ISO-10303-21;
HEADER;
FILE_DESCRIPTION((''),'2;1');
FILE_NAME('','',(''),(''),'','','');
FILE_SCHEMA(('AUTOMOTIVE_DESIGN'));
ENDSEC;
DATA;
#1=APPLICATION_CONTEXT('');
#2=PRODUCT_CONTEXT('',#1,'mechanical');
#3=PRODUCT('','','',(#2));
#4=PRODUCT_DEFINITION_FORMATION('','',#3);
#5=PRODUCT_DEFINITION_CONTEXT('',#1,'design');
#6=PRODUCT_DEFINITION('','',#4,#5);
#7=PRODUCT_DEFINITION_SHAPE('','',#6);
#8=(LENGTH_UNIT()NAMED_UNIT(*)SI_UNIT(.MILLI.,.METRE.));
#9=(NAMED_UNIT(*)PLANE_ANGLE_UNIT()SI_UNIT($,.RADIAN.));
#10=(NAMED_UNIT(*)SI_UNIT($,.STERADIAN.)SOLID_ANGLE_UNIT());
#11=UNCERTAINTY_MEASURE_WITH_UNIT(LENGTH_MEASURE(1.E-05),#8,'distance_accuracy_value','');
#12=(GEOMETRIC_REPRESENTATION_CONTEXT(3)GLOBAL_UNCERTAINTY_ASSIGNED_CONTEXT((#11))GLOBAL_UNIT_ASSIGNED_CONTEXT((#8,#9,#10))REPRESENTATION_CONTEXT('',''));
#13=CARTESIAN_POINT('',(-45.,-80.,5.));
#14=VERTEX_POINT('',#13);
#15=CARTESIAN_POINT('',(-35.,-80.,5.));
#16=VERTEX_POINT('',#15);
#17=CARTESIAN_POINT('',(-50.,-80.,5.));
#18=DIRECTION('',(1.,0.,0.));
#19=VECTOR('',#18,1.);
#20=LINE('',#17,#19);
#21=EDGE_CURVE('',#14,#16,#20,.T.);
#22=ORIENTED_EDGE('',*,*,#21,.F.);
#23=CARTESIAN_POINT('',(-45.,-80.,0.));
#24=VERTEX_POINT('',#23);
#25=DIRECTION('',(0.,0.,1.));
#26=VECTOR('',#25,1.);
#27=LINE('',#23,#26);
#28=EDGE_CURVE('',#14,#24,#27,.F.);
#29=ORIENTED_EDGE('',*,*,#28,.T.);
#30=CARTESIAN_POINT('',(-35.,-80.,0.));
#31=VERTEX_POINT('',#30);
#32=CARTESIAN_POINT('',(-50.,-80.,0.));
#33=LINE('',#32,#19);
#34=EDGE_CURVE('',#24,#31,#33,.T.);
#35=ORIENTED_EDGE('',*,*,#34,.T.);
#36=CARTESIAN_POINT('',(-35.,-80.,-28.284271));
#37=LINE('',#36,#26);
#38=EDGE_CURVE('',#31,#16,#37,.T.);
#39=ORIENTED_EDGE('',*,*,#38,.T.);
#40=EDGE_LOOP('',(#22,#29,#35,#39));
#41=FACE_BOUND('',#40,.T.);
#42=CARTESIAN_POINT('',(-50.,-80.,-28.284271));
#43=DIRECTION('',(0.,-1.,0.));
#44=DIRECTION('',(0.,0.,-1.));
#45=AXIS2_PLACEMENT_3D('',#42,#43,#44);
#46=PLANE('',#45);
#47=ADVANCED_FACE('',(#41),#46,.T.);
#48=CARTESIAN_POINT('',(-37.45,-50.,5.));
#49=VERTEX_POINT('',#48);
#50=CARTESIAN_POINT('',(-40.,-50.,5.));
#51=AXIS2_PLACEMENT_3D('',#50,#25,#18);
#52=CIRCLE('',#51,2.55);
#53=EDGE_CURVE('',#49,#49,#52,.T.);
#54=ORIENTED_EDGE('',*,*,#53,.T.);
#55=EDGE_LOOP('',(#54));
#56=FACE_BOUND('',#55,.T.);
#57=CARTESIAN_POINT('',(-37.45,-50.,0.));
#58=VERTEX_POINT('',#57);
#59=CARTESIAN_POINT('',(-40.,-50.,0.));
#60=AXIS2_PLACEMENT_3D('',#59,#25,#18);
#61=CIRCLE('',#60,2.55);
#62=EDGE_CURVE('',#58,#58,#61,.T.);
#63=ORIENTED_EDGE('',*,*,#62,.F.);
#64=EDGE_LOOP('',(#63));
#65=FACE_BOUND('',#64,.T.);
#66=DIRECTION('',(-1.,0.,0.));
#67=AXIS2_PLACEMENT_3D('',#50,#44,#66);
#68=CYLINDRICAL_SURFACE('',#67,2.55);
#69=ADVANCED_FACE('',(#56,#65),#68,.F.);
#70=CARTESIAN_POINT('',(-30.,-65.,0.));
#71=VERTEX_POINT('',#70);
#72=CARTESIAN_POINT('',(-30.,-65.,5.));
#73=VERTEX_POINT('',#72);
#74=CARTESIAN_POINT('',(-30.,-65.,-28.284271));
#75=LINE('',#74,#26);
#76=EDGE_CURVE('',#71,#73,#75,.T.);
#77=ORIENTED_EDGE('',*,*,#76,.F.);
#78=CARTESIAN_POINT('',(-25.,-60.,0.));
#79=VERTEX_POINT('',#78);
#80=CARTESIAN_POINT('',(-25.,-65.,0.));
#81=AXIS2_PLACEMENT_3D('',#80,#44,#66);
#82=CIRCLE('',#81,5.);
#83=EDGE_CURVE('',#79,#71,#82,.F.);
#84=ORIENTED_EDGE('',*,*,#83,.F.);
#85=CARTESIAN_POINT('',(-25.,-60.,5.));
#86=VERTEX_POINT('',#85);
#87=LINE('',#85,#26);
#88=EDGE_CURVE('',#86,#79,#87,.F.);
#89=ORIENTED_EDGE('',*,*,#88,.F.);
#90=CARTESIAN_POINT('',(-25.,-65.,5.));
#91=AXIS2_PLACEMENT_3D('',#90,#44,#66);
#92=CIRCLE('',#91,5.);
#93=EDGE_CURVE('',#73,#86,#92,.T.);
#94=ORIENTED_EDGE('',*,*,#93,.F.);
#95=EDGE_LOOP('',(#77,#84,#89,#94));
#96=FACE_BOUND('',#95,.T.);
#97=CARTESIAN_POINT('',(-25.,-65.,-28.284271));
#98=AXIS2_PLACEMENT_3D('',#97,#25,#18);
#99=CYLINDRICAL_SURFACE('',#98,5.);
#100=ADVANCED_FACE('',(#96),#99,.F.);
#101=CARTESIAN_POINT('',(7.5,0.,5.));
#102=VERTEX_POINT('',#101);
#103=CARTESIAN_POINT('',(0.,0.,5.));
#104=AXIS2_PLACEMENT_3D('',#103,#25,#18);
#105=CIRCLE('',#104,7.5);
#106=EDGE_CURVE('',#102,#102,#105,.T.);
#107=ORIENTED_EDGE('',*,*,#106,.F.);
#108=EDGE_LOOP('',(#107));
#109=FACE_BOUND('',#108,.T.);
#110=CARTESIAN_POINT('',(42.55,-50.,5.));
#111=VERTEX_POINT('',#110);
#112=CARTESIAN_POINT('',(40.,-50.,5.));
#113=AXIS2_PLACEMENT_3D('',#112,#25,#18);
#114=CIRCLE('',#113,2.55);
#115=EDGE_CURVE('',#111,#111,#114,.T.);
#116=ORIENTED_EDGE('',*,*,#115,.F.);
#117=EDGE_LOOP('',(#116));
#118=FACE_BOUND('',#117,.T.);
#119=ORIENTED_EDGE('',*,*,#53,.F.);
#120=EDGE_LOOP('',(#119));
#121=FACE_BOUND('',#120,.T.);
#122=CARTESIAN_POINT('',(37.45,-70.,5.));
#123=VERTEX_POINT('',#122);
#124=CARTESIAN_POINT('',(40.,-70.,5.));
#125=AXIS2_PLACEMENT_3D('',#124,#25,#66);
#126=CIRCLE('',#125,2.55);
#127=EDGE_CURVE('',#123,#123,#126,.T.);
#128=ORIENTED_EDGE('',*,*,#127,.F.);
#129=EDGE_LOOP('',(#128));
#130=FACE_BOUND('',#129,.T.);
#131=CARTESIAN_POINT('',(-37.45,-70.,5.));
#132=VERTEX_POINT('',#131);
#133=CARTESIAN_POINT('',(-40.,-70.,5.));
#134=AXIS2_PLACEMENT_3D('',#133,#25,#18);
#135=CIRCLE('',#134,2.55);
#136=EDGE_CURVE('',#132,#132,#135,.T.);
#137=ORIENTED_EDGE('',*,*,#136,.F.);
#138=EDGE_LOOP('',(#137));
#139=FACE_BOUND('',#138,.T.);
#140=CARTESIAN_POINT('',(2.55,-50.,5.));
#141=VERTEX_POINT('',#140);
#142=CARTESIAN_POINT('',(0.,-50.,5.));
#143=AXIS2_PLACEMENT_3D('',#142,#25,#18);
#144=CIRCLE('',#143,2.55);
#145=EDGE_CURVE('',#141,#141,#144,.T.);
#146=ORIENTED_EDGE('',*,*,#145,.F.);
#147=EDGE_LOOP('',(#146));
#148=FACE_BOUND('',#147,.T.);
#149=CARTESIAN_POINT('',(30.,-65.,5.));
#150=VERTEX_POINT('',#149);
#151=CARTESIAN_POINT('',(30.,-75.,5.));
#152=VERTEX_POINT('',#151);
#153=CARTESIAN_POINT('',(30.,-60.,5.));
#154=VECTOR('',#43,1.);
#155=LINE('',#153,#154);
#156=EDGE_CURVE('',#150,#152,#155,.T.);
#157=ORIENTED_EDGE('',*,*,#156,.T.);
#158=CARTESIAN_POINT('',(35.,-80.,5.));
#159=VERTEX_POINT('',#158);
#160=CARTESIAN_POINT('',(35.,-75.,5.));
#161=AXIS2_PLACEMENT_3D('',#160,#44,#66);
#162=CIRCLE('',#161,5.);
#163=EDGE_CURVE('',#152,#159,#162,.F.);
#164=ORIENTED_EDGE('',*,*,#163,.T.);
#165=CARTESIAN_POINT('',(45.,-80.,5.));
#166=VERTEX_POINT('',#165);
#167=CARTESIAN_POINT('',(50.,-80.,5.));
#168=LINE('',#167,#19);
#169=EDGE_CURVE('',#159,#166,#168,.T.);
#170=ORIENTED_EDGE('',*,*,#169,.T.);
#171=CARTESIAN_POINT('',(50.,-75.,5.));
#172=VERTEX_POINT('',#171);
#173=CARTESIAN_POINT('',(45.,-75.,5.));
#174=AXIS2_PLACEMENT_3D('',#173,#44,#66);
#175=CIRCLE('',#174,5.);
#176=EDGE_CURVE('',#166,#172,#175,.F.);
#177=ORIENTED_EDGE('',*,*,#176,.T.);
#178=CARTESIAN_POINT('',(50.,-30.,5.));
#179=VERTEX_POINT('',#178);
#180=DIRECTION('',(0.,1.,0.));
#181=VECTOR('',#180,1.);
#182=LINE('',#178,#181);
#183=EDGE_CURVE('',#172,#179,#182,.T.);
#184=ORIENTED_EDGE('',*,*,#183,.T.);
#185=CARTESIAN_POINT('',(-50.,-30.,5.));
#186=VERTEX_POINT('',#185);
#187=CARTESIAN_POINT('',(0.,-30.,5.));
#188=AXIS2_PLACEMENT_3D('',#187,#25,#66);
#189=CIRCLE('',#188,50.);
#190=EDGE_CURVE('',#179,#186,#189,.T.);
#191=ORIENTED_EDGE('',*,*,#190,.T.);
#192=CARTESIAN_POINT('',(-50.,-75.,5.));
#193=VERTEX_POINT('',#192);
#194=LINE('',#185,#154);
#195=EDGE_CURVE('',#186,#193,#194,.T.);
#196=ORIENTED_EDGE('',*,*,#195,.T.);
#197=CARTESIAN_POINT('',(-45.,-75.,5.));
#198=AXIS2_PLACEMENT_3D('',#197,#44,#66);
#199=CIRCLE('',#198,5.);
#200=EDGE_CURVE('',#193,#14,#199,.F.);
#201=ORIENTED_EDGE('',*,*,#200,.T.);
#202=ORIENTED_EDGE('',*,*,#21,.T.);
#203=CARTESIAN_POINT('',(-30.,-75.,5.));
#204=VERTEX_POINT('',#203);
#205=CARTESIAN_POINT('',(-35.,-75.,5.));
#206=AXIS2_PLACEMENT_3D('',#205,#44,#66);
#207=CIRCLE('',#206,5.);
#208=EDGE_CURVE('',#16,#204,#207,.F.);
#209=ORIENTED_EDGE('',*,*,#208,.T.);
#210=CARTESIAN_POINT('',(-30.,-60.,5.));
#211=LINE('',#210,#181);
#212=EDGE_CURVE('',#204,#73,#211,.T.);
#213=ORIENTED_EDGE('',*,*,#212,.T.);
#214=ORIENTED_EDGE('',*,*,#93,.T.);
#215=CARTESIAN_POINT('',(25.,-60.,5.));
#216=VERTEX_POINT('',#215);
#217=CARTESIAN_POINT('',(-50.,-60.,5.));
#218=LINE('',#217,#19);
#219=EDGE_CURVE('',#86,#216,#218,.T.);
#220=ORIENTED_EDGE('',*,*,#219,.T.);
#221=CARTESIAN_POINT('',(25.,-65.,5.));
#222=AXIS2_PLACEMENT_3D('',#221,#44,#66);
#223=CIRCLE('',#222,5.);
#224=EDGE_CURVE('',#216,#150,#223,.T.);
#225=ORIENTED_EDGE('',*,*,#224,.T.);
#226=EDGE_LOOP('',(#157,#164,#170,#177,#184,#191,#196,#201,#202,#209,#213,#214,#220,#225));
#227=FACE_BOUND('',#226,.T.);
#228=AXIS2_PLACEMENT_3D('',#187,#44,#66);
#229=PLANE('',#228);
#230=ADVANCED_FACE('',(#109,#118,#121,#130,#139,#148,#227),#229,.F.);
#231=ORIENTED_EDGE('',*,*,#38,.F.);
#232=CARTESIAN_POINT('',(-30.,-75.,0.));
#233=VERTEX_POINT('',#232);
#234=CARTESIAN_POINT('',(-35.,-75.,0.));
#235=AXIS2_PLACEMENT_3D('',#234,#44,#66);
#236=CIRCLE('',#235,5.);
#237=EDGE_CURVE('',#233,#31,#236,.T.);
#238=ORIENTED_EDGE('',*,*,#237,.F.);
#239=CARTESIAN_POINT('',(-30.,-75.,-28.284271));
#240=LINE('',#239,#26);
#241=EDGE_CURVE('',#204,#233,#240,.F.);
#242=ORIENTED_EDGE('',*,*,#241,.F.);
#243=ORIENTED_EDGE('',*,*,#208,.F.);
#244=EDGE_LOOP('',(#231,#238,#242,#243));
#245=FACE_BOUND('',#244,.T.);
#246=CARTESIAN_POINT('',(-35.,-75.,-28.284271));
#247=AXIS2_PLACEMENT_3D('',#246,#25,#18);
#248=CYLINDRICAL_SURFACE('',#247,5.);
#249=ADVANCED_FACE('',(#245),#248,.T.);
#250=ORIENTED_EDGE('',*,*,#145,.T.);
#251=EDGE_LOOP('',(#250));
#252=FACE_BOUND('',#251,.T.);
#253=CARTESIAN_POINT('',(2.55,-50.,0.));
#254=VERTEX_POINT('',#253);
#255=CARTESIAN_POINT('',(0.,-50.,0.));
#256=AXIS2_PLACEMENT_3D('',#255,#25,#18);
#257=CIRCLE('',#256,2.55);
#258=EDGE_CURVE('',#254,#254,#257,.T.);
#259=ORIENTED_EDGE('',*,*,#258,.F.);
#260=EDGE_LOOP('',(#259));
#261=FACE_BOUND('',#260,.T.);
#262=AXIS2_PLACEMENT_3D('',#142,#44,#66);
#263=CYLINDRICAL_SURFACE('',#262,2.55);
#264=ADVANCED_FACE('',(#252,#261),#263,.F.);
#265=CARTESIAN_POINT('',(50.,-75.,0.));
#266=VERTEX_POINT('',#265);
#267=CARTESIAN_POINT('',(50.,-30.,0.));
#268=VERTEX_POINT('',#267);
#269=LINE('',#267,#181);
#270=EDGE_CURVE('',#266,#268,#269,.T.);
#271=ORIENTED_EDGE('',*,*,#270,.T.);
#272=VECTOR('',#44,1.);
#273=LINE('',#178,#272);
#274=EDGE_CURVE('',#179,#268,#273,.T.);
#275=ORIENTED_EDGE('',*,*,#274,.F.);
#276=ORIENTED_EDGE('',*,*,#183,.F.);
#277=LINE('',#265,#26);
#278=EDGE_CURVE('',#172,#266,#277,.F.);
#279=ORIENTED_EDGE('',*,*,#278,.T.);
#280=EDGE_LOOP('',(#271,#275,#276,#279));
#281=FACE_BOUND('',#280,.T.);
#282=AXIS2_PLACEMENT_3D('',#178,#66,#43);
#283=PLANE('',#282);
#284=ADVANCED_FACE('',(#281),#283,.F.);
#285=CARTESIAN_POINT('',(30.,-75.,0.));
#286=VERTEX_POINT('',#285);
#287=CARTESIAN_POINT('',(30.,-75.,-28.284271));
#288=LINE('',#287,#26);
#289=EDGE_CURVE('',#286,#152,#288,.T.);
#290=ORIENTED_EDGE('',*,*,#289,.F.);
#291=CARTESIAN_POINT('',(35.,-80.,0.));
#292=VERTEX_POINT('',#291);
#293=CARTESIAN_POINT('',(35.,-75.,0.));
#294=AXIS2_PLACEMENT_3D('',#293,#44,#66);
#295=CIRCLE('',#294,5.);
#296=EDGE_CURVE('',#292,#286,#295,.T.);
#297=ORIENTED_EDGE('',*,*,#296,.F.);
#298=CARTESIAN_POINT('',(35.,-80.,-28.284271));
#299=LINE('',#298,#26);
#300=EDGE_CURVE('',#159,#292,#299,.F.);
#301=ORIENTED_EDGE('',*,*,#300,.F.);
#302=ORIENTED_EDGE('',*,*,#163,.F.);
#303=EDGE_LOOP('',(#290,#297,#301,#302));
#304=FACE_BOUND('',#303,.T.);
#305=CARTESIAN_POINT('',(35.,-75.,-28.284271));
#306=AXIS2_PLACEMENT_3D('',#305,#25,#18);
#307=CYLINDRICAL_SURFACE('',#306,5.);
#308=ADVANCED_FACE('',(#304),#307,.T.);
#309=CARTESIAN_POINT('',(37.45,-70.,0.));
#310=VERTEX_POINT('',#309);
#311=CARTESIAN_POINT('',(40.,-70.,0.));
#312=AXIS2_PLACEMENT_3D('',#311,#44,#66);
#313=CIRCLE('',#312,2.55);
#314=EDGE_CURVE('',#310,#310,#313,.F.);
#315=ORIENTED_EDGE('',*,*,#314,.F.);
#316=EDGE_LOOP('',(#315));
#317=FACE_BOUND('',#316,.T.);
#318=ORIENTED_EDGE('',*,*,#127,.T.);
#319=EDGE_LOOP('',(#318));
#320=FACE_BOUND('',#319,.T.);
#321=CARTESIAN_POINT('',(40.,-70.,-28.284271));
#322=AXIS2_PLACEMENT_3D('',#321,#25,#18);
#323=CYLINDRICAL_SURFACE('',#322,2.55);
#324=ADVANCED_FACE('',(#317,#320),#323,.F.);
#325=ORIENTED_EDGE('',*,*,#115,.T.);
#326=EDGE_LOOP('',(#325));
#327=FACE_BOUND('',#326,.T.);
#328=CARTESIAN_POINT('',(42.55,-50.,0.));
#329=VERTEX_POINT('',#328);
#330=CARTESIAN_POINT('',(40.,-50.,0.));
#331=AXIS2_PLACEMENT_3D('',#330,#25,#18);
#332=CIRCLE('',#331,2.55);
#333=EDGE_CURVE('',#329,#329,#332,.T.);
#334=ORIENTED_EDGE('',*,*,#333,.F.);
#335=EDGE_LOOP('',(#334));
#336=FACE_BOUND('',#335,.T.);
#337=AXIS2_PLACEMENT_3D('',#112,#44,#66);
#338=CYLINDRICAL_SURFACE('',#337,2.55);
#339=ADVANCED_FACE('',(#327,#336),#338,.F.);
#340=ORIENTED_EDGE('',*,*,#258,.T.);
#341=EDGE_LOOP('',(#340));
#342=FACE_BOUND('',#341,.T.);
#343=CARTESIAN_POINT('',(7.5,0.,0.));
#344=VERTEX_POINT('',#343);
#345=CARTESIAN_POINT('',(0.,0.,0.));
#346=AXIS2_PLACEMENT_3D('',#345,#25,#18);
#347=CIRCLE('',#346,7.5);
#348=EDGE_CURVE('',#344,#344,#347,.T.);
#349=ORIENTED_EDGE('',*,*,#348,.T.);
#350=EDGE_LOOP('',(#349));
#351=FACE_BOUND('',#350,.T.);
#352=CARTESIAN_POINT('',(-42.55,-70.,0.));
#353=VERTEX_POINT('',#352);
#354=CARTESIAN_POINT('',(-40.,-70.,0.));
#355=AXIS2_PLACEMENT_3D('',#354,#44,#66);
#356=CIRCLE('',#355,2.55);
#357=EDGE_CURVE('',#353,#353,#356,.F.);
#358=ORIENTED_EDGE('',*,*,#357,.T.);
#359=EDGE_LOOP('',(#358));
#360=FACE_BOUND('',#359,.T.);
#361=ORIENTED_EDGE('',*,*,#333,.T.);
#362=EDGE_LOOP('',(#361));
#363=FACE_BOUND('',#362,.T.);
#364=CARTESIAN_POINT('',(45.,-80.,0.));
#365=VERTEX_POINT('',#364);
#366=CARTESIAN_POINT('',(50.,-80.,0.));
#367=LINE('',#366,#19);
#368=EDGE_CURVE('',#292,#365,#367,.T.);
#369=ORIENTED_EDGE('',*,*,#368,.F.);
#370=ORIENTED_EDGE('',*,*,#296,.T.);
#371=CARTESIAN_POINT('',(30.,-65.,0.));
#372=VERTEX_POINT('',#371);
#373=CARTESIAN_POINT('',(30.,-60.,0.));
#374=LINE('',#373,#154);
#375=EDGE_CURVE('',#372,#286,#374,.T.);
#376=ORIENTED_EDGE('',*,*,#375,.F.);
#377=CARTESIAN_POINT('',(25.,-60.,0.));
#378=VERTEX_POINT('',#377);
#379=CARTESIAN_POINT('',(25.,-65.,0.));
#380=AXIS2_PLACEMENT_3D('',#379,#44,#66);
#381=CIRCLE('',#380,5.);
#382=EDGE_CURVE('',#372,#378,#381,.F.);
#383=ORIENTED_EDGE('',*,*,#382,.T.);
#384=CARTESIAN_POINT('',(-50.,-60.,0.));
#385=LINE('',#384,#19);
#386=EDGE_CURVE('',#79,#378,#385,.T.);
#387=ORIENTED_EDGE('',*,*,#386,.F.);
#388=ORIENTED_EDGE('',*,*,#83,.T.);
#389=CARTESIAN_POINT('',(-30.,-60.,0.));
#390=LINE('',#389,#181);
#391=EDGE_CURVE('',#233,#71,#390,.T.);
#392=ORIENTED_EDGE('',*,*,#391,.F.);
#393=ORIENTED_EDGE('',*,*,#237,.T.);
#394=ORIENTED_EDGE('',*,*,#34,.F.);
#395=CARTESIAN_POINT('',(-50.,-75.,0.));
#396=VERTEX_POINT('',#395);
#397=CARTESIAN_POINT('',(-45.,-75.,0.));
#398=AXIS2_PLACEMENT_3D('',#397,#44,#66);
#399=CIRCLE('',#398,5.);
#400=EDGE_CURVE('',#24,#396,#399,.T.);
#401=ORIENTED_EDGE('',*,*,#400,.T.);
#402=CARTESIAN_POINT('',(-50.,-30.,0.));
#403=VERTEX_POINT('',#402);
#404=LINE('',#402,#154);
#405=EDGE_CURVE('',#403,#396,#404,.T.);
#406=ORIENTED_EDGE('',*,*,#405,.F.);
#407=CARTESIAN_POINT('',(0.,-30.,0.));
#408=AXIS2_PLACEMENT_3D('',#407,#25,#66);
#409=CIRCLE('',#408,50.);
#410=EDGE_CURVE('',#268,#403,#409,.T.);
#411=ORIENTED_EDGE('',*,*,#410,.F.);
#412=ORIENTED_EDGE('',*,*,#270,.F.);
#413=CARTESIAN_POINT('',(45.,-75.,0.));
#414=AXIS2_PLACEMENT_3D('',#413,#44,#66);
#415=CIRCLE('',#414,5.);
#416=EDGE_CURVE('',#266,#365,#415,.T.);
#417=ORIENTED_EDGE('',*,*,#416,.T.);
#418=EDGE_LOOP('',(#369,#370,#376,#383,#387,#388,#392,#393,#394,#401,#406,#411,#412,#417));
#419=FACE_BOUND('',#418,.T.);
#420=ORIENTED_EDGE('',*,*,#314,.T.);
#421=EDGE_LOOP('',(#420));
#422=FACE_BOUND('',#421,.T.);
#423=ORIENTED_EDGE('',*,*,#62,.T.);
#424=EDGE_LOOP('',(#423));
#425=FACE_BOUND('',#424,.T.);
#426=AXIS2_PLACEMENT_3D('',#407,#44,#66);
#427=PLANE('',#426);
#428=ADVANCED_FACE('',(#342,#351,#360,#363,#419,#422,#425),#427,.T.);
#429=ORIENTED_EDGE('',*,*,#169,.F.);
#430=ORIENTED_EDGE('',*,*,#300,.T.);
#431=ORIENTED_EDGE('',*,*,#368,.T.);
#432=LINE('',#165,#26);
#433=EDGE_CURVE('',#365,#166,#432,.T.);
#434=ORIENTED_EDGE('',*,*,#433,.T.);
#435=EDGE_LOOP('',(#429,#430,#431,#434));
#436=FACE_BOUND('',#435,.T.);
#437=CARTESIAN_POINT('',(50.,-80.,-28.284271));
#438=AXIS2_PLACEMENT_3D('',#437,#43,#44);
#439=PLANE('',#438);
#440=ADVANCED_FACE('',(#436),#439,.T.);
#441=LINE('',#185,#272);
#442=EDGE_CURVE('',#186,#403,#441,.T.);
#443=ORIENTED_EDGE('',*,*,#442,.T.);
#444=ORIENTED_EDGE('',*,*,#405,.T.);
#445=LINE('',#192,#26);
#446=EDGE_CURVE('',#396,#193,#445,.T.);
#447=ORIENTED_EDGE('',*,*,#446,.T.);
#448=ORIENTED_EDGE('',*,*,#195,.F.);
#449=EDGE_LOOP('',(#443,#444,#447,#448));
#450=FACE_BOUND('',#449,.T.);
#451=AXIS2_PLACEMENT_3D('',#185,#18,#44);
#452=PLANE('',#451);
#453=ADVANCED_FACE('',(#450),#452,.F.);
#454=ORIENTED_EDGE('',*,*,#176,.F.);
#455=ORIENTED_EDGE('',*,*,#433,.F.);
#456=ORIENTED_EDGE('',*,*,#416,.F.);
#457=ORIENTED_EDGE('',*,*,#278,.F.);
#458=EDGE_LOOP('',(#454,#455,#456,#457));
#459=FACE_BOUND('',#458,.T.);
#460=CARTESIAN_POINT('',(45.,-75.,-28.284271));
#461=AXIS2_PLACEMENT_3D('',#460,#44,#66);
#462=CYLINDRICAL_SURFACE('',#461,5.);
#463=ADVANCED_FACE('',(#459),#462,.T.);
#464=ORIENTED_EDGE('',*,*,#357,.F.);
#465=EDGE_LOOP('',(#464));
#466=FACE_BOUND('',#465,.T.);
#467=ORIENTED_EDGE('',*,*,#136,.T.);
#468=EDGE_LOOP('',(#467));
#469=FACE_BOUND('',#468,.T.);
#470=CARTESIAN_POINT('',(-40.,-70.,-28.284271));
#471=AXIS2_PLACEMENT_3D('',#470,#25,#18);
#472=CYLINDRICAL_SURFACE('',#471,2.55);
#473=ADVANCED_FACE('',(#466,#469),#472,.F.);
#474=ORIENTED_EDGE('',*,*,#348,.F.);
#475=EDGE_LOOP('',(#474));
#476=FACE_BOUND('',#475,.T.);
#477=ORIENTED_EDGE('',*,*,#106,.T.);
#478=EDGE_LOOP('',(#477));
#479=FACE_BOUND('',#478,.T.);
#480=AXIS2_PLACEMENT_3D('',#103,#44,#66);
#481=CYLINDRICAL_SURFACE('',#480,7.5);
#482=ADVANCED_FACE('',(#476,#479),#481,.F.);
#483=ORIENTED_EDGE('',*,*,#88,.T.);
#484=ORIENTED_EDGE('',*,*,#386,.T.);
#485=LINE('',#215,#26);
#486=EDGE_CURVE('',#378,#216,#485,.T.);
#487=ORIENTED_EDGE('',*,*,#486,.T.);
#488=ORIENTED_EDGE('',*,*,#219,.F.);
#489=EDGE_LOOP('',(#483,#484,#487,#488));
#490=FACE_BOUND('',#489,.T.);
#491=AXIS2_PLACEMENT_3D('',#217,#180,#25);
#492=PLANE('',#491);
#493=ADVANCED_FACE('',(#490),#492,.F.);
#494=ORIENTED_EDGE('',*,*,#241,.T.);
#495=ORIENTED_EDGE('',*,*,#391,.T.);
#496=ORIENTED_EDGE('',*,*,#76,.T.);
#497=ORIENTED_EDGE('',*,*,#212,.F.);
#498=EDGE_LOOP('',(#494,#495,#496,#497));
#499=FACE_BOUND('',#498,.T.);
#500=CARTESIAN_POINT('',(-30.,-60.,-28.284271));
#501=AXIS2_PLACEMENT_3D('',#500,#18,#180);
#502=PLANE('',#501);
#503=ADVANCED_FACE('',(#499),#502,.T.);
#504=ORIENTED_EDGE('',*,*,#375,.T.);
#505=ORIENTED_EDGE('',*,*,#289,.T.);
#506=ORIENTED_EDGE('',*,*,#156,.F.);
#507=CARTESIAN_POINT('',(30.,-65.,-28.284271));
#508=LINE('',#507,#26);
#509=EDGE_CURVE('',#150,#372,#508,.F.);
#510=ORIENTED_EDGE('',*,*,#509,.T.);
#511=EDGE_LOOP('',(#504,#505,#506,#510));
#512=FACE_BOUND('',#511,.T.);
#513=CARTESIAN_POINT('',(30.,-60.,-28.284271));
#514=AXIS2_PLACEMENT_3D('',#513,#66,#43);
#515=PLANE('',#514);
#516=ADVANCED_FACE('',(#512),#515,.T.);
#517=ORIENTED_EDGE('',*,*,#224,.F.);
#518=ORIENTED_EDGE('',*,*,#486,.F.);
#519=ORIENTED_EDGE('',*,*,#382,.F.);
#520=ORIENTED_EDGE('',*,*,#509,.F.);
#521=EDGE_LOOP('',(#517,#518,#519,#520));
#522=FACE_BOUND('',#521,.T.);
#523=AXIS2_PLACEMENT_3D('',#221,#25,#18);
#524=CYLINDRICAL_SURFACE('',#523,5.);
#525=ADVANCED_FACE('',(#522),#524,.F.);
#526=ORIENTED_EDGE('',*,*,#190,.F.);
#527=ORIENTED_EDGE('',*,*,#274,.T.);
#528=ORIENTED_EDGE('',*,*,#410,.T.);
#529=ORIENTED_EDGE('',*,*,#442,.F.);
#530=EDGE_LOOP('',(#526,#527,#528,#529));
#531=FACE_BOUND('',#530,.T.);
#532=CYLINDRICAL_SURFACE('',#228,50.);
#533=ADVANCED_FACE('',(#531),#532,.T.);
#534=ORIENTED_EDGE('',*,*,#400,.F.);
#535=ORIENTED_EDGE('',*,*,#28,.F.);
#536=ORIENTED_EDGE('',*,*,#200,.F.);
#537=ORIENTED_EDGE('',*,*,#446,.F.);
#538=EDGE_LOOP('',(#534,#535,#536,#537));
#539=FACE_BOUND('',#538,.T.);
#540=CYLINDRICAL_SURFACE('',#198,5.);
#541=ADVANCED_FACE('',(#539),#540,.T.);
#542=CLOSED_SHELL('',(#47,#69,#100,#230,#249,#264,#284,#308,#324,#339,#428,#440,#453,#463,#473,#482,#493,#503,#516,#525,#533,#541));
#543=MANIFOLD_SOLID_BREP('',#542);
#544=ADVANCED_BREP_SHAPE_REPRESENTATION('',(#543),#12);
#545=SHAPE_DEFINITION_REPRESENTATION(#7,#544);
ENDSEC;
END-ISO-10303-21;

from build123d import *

# Parameters (mm, degrees)
SKETCH_1_R      = 7.5
SKETCH_1_R_2    = 2.55
EXTRUDE_1_DEPTH = 5
SKETCH_2_W      = 20
SKETCH_2_H      = 20
SKETCH_2_R      = 2.55
EXTRUDE_2_DEPTH = 5
FILLET_1_R      = 5


with BuildPart() as part:
    # ｽｹｯﾁ1 → ﾎﾞｽ - 押し出し1 (new body)
    with BuildSketch(Plane.XY):
        with BuildLine():
            Line((-50, -60), (50, -60))
            Line((50, -60), (50, -30))
            ThreePointArc((50, -30), (0, 20), (-50, -30))
            Line((-50, -30), (-50, -60))
        make_face()
        Circle(SKETCH_1_R, mode=Mode.SUBTRACT)
        with Locations((-40, -50)):
            Circle(SKETCH_1_R_2, mode=Mode.SUBTRACT)
        with Locations((0, -50)):
            Circle(SKETCH_1_R_2, mode=Mode.SUBTRACT)
        with Locations((40, -50)):
            Circle(SKETCH_1_R_2, mode=Mode.SUBTRACT)
    extrude(amount=EXTRUDE_1_DEPTH)

    # ｽｹｯﾁ2 → ﾎﾞｽ - 押し出し2 (add)
    # profile 1 of 2: a face of its own
    with BuildSketch(Plane.XY.offset(5)):
        with Locations((-40, -70)):
            Rectangle(SKETCH_2_W, SKETCH_2_H)
        with Locations((-40, -70)):
            Circle(SKETCH_2_R, mode=Mode.SUBTRACT)
    # profile 2 of 2: a face of its own
    with BuildSketch(Plane.XY.offset(5)):
        with Locations((40, -70)):
            Rectangle(SKETCH_2_W, SKETCH_2_H)
        with Locations(Location((40, -70, 0), (0, 0, 180))):
            Circle(SKETCH_2_R, mode=Mode.SUBTRACT)
    extrude(amount=-EXTRUDE_2_DEPTH)

    # ﾌｨﾚｯﾄ1
    fillet_1_edges = [part.edges().sort_by_distance(p)[0] for p in [
        (-50, -80, 2.5),
        (-30, -60, 2.5),
        (-30, -80, 2.5),
        (30, -60, 2.5),
        (50, -80, 2.5),
        (30, -80, 2.5),
    ]]
    fillet(fillet_1_edges, radius=FILLET_1_R)


solid = part.part
